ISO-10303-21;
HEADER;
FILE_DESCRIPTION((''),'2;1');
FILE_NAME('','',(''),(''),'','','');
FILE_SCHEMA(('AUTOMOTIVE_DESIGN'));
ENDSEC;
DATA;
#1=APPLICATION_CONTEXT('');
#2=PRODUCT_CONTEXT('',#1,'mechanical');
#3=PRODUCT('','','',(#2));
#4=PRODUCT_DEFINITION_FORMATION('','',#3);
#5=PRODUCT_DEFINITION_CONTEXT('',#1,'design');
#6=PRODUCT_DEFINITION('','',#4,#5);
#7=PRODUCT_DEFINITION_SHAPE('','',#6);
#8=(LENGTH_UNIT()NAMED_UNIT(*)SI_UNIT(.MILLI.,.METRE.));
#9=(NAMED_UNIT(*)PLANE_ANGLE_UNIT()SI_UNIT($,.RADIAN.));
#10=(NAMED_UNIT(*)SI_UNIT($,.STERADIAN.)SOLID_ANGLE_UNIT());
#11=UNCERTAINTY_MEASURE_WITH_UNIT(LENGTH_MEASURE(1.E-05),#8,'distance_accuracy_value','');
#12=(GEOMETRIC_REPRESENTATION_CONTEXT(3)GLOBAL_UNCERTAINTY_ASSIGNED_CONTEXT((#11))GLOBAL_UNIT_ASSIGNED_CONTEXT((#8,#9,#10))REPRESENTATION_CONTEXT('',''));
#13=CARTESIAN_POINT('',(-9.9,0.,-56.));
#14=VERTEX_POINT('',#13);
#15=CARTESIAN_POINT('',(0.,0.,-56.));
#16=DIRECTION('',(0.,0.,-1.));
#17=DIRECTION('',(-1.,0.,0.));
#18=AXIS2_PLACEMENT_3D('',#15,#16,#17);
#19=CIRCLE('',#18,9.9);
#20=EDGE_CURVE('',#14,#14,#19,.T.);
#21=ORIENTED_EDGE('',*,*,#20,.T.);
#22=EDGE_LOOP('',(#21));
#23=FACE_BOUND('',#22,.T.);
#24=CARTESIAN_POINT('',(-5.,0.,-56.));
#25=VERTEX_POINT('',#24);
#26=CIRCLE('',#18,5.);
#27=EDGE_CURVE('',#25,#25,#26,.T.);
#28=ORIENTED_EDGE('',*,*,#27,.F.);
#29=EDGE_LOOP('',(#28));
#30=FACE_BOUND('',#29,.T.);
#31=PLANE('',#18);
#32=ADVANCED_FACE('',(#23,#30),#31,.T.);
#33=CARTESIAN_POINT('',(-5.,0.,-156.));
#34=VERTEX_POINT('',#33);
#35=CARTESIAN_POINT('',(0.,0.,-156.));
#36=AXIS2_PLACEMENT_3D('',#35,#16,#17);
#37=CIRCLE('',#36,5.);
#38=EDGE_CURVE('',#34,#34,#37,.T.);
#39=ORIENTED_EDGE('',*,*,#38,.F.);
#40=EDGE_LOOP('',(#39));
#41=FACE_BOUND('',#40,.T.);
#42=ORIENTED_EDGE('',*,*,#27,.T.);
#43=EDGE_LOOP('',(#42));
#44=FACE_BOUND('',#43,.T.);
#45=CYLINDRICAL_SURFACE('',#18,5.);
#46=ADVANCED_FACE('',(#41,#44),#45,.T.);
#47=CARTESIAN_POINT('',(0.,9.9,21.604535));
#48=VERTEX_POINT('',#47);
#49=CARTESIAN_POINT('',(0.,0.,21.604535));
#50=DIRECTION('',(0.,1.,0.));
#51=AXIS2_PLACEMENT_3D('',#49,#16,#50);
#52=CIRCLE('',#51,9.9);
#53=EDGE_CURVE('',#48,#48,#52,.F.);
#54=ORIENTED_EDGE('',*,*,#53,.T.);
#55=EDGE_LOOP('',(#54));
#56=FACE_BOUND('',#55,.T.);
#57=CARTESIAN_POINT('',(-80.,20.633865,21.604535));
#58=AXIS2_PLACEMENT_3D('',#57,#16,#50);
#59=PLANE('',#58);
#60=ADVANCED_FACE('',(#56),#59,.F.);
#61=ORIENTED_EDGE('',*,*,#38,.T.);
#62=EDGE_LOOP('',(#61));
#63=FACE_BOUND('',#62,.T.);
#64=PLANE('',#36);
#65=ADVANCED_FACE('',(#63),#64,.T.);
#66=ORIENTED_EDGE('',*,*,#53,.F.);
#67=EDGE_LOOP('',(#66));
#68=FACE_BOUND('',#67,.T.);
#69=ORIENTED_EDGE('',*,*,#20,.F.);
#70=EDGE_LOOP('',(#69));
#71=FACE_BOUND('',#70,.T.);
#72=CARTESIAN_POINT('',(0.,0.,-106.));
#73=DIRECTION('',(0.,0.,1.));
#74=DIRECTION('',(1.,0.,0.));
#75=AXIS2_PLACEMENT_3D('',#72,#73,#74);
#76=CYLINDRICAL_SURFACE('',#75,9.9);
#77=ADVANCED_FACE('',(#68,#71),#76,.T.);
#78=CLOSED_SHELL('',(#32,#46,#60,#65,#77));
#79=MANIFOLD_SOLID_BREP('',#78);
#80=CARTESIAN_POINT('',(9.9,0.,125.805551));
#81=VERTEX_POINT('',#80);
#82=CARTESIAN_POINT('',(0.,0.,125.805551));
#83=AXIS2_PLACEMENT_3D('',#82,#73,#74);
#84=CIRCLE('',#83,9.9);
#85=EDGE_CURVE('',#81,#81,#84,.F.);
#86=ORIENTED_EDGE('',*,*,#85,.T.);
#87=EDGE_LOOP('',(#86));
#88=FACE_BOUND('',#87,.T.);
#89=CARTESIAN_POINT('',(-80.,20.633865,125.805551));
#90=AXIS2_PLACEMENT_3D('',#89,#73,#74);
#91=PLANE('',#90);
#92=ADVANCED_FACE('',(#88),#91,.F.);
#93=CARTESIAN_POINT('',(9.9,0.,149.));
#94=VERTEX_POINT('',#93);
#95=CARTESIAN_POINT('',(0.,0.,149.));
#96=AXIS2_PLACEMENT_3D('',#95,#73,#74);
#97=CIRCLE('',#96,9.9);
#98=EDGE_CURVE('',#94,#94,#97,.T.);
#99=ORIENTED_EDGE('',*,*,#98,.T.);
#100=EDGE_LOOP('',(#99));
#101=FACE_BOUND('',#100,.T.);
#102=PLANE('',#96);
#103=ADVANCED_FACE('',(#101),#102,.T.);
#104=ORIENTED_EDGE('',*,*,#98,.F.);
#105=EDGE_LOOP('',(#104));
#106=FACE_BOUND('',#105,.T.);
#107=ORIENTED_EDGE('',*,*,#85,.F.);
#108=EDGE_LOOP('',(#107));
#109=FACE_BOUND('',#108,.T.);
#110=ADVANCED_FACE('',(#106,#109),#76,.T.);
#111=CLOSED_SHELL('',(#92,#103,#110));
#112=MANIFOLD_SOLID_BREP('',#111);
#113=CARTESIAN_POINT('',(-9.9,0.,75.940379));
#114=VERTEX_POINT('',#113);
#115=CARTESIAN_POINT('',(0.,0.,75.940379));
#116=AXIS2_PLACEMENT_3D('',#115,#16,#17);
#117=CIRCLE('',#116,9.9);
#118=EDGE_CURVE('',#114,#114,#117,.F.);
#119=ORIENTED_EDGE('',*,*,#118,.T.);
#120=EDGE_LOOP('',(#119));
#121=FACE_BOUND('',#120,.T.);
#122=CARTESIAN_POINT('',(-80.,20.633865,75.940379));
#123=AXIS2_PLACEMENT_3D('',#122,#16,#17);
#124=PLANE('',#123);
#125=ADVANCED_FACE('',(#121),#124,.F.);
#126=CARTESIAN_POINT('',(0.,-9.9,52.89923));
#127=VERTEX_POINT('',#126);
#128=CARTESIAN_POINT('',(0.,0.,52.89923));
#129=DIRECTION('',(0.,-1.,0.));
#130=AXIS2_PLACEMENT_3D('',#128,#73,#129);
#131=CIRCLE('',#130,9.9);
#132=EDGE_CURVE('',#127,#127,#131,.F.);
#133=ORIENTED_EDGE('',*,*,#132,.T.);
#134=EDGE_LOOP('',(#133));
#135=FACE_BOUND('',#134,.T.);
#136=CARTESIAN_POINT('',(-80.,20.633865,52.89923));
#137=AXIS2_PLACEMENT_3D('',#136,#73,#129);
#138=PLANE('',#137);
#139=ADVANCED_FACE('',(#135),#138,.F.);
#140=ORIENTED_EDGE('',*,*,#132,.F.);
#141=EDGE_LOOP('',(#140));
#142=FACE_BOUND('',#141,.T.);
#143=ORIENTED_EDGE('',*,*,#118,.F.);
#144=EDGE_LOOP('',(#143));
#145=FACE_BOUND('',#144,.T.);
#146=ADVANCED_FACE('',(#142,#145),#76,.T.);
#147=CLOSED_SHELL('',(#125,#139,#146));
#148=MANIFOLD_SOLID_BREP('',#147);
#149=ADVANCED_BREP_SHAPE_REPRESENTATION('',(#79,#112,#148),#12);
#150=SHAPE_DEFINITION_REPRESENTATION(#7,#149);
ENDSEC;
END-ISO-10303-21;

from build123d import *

# Parameters (mm, degrees)
IZIM1_R                          = 9.9
Y_KSEKLIK_EKSTR_ZYON1_DEPTH      = 149
Y_KSEKLIK_EKSTR_ZYON1_DEPTH_BACK = 106
IZIM4_R                          = 9.9
IZIM4_R_2                        = 5
KES_EKSTR_ZYON4_DEPTH            = 50
SKETCH1_R                        = 5
BOSS_EXTRUDE1_DEPTH              = 50
SKETCH2_W                        = 49.865172684
SKETCH2_H                        = 45.050604287
SKETCH2_W_2                      = 31.294694581
SKETCH2_H_2                      = 47.113990743
CUT_EXTRUDE1_DEPTH               = 110


with BuildPart() as part:
    # Çizim1 → Yükseklik-Ekstrüzyon1 (new body, two sides)
    with BuildSketch(Plane.XY) as y_kseklik_ekstr_zyon1_sk:
        Circle(IZIM1_R)
    extrude(amount=Y_KSEKLIK_EKSTR_ZYON1_DEPTH)
    extrude(y_kseklik_ekstr_zyon1_sk.sketch, amount=-Y_KSEKLIK_EKSTR_ZYON1_DEPTH_BACK)

    # Çizim4 → Kes-Ekstrüzyon4 (cut)
    with BuildSketch(Plane(origin=(0, 0, -106), x_dir=(-1, 0, 0), z_dir=(0, 0, -1))):
        Circle(IZIM4_R)
        Circle(IZIM4_R_2, mode=Mode.SUBTRACT)
    extrude(amount=-KES_EKSTR_ZYON4_DEPTH, mode=Mode.SUBTRACT)

    # Sketch1 → Boss-Extrude1 (add)
    with BuildSketch(Plane(origin=(0, 0, -106), x_dir=(-1, 0, 0), z_dir=(0, 0, -1))):
        Circle(SKETCH1_R)
    extrude(amount=BOSS_EXTRUDE1_DEPTH)

    # Sketch2 → Cut-Extrude1 (cut)
    with BuildSketch(Plane(origin=(30, 0, 0), x_dir=(0, 0, -1), z_dir=(1, 0, 0))):
        with Locations((-100.872964895, -1.891437585)):
            Rectangle(SKETCH2_W, SKETCH2_H)
        with Locations((-37.251882505, -2.923130813)):
            Rectangle(SKETCH2_W_2, SKETCH2_H_2)
    extrude(amount=-CUT_EXTRUDE1_DEPTH, mode=Mode.SUBTRACT)


solid = part.part
